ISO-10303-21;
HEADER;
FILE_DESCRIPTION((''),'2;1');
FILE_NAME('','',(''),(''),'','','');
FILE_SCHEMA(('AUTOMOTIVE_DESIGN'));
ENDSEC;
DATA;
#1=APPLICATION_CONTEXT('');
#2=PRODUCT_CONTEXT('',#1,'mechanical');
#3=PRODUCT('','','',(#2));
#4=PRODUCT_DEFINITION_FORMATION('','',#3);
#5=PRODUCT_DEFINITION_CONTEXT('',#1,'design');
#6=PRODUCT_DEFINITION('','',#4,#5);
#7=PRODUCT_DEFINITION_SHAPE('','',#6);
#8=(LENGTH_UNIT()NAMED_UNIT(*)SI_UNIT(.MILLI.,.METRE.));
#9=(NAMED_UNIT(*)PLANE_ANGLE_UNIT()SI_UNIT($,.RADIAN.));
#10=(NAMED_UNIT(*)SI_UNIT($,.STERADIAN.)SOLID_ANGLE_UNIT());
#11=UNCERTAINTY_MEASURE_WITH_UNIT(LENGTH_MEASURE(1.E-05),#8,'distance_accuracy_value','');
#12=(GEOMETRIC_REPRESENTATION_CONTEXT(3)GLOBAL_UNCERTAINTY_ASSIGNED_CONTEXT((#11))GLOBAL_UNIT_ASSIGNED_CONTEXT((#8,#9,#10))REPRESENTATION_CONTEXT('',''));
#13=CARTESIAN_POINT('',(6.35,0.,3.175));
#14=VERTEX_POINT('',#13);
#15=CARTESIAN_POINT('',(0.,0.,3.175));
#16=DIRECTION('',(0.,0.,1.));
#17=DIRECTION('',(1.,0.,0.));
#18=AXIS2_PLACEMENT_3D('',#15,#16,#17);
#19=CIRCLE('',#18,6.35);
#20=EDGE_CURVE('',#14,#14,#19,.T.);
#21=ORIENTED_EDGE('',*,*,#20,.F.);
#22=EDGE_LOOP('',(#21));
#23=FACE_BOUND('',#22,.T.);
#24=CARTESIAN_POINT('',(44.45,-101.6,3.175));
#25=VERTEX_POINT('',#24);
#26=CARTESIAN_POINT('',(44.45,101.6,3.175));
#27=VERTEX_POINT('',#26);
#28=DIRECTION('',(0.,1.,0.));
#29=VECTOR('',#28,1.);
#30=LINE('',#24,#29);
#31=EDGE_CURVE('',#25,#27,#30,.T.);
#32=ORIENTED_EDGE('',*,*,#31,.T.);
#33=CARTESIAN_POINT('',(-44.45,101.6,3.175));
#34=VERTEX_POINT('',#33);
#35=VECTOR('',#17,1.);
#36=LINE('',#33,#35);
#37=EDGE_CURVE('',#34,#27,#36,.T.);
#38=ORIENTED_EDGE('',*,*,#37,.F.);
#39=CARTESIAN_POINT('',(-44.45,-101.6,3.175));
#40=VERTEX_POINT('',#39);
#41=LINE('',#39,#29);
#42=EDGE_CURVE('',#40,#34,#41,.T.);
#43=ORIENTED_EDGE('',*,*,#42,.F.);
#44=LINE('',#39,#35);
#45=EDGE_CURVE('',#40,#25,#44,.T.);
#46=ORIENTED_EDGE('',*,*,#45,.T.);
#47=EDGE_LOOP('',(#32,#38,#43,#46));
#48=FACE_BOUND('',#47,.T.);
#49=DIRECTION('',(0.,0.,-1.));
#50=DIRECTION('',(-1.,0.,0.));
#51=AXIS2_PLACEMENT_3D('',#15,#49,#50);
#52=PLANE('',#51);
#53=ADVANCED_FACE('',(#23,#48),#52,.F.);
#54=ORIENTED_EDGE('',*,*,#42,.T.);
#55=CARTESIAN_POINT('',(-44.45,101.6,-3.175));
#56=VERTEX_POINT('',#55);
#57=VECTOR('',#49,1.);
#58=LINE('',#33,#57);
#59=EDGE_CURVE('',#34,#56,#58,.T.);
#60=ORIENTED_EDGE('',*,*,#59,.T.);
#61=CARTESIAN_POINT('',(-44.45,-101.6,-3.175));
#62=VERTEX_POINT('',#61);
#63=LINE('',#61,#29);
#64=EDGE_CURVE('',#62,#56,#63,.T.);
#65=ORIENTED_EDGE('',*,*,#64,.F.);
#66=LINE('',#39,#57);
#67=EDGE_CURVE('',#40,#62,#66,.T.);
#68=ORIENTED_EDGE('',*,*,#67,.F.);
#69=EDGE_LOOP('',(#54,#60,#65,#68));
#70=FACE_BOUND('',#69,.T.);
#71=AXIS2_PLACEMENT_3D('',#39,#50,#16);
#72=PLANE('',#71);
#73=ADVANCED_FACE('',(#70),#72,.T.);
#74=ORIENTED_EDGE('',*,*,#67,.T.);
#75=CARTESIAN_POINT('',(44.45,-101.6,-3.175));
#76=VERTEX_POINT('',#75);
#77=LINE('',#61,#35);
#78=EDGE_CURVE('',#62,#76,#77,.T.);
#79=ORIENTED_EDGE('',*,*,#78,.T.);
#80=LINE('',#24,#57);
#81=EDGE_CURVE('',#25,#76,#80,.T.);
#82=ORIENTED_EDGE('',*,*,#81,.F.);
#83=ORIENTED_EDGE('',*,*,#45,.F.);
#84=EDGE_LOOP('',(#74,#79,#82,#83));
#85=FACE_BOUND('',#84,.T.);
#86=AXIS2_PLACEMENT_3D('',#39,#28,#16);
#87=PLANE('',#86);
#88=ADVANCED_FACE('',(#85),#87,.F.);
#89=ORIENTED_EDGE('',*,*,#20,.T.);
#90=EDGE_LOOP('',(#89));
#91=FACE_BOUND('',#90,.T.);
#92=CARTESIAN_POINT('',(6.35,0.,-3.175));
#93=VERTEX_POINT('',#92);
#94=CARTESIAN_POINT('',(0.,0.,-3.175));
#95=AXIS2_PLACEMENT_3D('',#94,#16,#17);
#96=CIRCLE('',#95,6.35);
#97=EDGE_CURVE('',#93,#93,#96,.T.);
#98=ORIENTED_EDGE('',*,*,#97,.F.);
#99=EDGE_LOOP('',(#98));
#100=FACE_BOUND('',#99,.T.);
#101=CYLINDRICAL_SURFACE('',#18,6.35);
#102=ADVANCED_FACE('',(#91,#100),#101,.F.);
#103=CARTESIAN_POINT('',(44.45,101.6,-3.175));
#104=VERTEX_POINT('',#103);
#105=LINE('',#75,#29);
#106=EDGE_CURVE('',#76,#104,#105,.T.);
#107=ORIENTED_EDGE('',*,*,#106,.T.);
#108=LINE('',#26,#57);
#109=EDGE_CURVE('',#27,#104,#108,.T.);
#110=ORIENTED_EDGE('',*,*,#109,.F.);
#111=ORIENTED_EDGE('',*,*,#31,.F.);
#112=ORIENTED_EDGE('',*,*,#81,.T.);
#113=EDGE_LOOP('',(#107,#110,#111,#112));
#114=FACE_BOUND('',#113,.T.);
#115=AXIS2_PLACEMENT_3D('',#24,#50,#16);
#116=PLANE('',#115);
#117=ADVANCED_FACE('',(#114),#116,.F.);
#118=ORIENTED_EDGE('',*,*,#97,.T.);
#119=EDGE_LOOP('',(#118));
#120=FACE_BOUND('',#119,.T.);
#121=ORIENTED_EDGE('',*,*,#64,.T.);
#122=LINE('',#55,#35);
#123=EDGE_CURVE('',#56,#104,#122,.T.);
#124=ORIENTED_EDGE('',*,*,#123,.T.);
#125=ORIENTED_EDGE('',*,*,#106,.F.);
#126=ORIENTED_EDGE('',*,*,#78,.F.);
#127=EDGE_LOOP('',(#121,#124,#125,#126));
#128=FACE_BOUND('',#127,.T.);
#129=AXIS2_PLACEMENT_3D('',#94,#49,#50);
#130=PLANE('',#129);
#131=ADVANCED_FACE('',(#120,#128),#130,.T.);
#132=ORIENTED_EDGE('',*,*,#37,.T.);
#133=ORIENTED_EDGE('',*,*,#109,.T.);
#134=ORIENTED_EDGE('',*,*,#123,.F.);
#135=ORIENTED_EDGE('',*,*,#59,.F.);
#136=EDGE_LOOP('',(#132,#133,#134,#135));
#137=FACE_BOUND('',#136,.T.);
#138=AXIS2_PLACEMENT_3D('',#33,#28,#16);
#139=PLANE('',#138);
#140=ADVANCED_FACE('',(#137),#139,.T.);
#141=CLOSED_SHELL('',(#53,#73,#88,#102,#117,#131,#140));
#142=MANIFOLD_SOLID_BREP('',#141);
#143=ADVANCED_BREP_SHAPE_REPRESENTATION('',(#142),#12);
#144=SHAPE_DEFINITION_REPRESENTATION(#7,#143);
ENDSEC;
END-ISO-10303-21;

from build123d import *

# Parameters (mm, degrees)
SKETCH1_W                  = 88.9
SKETCH1_H                  = 203.2
BOSS_EXTRUDE1_DEPTH        = 3.175
F_1_2_0_5_DIAMETER_HOLE1_D = 12.7


with BuildPart() as part:
    # Sketch1 → Boss-Extrude1 (new, symmetric)
    with BuildSketch(Plane.XY):
        Rectangle(SKETCH1_W, SKETCH1_H)
    extrude(amount=BOSS_EXTRUDE1_DEPTH, both=True)

    # 1/2 (0.5) Diameter Hole1 (through all)
    with Locations(Plane.XY.offset(3.175)):
        with Locations((0, 0)):
            Hole(F_1_2_0_5_DIAMETER_HOLE1_D / 2)


solid = part.part
